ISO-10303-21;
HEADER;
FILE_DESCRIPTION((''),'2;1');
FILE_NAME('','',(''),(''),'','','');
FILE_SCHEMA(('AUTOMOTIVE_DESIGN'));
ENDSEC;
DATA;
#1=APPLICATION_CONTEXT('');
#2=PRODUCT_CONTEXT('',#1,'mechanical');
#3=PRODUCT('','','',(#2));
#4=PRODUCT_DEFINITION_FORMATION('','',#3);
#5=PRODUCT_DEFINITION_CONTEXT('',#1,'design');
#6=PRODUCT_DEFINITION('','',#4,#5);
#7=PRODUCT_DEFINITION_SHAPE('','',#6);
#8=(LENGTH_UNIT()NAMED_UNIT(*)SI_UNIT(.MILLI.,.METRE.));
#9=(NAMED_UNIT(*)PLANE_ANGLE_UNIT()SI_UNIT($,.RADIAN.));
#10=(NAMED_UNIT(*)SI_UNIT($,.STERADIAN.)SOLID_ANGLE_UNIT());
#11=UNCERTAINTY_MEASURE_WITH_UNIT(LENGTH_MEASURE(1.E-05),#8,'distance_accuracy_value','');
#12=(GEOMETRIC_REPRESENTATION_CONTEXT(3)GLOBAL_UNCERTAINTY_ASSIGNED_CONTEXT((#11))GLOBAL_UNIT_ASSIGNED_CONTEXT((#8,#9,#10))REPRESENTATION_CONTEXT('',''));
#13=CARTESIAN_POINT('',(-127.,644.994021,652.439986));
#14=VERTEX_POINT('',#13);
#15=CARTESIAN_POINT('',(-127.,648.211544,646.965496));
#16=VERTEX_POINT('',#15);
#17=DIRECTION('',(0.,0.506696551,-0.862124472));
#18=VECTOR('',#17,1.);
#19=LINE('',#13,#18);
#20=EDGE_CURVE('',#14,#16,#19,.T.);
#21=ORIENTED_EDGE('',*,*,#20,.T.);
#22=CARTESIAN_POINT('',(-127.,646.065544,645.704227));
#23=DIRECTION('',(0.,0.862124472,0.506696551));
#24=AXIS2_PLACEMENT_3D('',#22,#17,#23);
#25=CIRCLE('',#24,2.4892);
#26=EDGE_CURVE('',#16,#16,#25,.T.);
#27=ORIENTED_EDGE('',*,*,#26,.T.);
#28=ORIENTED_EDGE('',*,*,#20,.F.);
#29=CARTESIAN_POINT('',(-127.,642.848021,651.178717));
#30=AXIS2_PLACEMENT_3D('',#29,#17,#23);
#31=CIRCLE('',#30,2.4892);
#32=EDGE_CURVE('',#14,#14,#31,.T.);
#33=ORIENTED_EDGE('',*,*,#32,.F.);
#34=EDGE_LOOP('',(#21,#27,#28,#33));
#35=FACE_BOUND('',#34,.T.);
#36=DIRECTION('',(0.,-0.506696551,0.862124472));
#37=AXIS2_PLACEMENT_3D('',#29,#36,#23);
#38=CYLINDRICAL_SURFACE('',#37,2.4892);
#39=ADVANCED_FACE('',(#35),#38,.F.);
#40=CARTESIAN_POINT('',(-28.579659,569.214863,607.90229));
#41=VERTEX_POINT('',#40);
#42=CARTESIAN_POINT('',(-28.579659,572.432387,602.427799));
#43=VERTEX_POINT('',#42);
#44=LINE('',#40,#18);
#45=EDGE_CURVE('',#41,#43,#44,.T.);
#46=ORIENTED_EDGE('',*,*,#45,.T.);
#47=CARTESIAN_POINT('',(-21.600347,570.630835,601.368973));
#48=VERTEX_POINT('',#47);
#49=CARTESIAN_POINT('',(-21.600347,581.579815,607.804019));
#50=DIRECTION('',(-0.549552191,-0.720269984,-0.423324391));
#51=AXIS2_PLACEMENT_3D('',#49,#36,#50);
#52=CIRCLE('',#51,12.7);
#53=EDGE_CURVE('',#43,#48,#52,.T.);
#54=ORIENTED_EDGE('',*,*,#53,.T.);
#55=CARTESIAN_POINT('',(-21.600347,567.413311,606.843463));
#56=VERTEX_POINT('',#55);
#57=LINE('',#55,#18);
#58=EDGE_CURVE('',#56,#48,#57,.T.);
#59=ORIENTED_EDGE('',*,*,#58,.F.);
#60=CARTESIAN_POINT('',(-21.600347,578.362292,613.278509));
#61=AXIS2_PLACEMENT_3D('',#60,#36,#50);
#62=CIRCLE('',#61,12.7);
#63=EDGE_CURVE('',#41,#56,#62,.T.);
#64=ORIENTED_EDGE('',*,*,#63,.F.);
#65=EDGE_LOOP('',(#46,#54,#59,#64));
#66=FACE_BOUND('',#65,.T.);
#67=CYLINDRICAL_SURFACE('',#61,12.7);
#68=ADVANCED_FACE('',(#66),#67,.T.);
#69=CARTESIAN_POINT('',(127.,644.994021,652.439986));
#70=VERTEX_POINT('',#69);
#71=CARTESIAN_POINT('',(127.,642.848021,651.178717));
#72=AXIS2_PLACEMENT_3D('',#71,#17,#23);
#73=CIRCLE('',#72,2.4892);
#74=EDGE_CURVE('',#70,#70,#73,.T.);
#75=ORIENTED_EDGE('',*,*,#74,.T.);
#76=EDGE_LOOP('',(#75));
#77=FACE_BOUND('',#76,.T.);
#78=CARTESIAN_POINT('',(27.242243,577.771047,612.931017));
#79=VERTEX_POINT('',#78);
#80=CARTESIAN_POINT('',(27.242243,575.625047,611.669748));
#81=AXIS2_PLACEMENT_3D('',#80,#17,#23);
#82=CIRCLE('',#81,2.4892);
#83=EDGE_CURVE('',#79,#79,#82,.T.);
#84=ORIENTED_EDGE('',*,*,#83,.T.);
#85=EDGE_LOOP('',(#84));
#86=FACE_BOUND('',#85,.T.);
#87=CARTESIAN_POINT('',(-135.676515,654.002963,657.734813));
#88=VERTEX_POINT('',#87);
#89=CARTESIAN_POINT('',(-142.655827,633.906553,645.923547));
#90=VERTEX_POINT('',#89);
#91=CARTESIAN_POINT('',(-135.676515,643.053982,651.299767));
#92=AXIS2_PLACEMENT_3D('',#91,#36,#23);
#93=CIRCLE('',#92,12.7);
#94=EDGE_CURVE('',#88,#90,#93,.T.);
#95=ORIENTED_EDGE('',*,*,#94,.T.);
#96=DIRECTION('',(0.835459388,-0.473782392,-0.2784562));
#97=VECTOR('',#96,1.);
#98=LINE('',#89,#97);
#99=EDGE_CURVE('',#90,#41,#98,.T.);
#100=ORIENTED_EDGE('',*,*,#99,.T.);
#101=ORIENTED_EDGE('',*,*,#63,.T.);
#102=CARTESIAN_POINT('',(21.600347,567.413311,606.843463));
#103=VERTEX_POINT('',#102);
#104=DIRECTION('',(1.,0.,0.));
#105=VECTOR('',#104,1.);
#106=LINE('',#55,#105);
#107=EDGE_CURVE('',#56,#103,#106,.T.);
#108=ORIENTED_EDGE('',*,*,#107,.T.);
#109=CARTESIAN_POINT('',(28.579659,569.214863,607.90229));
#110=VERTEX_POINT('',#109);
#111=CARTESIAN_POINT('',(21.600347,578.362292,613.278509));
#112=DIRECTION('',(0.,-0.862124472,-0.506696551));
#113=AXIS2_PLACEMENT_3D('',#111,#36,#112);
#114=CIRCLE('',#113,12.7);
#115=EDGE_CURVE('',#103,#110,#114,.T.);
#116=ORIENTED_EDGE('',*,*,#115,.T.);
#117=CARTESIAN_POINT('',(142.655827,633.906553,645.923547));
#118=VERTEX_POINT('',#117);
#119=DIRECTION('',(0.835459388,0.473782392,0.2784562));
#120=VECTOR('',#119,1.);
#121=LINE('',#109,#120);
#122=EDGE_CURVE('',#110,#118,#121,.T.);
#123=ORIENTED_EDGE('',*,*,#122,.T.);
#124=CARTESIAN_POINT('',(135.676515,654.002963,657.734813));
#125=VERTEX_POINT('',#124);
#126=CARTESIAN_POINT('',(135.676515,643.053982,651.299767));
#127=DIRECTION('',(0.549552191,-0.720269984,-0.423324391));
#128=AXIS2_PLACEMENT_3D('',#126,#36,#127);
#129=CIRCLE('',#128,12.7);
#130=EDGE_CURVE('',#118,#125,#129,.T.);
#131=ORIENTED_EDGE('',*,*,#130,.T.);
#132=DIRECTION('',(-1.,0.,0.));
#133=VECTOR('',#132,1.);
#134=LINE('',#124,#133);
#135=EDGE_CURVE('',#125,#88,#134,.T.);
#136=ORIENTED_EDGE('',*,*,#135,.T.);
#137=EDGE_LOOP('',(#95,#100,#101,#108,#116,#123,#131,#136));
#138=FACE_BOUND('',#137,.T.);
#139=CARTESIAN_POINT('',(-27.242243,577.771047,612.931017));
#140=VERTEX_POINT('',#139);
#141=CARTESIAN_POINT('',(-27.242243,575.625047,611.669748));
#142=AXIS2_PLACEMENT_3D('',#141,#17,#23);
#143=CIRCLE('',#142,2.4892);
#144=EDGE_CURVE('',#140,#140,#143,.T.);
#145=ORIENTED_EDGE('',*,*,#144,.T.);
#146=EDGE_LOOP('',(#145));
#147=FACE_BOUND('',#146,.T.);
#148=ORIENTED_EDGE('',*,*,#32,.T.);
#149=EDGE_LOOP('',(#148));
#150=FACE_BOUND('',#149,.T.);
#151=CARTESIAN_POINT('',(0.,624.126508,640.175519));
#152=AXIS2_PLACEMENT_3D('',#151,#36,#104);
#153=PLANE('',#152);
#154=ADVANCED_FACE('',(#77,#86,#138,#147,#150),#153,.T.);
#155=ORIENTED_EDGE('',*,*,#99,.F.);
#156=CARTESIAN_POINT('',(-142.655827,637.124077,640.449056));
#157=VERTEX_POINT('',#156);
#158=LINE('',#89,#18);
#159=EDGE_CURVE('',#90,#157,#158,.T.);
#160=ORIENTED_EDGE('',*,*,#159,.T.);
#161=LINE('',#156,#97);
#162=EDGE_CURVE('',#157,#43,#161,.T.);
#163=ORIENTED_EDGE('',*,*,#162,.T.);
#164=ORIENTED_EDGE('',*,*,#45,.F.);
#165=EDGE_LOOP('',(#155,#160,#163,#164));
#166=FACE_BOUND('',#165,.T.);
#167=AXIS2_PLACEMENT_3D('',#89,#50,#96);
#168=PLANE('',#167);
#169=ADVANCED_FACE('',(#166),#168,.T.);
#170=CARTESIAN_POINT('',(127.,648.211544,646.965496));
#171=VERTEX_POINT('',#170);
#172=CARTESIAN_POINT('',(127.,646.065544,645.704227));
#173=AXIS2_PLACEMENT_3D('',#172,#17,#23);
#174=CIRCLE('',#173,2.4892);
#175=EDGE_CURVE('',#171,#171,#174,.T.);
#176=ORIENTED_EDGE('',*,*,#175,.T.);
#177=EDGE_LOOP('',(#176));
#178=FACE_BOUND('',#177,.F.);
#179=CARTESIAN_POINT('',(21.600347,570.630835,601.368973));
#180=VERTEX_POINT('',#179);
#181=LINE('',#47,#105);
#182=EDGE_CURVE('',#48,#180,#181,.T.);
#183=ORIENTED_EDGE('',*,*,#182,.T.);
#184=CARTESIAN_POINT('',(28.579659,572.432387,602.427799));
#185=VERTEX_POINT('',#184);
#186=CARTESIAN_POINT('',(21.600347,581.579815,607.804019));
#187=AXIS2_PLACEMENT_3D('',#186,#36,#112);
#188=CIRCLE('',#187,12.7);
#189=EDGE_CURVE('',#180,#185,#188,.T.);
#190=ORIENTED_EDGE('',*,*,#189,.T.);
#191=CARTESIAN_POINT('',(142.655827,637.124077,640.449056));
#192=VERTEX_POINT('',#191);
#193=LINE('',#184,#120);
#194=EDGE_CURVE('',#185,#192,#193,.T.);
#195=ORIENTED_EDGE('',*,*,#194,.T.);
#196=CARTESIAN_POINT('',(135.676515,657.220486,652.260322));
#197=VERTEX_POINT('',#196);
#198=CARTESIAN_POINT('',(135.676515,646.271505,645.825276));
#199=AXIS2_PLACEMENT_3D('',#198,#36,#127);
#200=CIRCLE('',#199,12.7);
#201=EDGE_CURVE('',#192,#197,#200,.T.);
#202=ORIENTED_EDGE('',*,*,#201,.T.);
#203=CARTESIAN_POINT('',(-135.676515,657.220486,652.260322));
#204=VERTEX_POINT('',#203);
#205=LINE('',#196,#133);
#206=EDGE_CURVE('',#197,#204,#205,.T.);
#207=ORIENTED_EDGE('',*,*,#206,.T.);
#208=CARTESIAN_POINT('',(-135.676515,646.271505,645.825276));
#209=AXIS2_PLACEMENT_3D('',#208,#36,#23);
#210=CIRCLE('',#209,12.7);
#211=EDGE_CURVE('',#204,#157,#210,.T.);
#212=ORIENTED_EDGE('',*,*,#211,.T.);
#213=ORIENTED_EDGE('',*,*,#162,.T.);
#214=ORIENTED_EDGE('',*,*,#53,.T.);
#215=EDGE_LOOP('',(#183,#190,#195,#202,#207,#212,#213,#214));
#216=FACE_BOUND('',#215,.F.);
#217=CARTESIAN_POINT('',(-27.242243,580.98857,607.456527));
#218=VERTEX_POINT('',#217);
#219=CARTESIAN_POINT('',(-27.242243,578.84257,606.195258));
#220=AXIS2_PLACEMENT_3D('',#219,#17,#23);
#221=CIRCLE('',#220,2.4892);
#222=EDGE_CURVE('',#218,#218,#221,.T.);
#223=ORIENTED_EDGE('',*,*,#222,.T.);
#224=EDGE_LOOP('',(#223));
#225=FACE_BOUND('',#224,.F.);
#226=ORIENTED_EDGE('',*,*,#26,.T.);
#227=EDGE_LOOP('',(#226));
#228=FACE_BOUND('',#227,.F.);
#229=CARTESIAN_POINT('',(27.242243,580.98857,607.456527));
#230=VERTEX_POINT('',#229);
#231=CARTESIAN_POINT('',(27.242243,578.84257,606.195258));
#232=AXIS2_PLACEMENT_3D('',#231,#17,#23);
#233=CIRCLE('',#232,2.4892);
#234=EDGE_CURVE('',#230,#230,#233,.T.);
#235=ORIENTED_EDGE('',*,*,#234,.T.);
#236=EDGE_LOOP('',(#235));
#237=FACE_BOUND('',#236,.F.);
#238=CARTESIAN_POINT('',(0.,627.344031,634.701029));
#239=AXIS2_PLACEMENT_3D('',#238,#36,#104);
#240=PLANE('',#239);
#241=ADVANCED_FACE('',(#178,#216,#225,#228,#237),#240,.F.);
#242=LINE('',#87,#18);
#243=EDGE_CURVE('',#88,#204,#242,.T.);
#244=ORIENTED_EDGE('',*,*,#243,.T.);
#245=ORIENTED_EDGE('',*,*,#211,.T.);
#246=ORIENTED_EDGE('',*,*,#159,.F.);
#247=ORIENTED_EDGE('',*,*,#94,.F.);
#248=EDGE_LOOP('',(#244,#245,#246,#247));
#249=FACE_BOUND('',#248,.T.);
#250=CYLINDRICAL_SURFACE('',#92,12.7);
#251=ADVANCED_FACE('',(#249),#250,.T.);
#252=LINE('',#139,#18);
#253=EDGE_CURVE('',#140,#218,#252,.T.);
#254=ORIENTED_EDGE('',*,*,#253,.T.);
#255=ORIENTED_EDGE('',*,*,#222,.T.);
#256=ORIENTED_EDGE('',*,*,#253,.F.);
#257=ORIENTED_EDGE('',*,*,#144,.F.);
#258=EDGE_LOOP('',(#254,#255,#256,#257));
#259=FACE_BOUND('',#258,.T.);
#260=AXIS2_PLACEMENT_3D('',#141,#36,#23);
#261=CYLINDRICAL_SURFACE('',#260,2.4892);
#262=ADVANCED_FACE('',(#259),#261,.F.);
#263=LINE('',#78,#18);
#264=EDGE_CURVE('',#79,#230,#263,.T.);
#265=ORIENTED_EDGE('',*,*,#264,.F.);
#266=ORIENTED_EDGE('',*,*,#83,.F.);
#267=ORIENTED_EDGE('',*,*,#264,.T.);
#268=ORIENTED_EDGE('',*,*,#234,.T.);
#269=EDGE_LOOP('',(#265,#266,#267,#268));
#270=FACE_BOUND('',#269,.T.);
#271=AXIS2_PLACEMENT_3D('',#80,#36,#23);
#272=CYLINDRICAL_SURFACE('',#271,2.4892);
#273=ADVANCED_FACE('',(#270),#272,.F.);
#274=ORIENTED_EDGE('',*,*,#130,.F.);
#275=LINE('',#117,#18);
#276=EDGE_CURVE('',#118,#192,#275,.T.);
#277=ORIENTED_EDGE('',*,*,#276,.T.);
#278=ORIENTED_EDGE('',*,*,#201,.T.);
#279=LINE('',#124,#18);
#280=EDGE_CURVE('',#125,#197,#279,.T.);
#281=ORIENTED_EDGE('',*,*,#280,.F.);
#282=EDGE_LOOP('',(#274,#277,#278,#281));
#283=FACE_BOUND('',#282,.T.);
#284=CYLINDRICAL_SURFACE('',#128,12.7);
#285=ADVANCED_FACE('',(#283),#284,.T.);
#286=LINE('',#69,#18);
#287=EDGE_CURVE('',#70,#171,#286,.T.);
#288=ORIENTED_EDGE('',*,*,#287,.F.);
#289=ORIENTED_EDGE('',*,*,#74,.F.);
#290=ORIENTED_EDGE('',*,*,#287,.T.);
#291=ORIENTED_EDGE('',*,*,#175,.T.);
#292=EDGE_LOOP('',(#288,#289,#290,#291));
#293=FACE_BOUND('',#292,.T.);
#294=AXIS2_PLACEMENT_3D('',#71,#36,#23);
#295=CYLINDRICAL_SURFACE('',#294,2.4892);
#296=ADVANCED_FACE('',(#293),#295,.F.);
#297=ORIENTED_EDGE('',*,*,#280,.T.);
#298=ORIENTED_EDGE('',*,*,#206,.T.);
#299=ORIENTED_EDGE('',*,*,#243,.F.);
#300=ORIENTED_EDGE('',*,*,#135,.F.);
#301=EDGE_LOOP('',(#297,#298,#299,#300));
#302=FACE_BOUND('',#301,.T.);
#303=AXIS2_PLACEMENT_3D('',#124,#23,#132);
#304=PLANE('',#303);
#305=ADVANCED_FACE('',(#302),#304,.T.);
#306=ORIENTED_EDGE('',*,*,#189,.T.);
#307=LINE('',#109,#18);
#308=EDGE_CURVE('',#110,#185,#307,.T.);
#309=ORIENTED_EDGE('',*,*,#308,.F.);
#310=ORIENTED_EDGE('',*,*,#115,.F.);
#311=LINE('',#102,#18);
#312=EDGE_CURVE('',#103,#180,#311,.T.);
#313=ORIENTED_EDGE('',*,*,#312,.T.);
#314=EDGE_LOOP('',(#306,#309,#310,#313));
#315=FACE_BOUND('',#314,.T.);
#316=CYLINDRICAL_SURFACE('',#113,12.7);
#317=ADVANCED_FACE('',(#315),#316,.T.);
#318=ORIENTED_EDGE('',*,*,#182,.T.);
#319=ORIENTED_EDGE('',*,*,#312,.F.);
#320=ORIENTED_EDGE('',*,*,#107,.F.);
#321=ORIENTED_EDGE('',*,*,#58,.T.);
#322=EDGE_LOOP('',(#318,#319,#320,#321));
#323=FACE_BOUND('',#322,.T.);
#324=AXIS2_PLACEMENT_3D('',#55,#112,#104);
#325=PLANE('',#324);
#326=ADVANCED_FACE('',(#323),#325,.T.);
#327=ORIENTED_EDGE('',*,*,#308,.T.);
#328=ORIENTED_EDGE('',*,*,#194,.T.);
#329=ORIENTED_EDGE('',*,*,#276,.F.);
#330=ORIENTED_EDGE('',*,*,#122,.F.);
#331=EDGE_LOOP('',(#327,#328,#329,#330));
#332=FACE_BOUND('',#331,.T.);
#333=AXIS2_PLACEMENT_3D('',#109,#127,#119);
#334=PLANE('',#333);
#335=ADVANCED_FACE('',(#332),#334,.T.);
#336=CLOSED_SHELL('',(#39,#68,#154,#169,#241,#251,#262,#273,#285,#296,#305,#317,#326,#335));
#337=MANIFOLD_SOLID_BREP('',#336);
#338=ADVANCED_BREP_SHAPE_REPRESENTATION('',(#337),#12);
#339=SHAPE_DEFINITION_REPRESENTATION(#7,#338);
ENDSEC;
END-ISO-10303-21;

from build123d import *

# Parameters (mm, degrees)
SKETCH1_R           = 2.4892
BOSS_EXTRUDE1_DEPTH = 6.35


with BuildPart() as part:
    # Sketch1 → Boss-Extrude1 (new body)
    with BuildSketch(Plane(origin=(0, -119.412280478, 203.175350111), x_dir=(-1, 0, 0), z_dir=(-8.160139230994902e-15, 0.5066965513915404, -0.8621244717602675))):
        with BuildLine():
            Line((-28.579659373, 798.756057242), (-142.655827387, 873.793586211))
            ThreePointArc((-142.655827387, 873.793586211), (-147.842887168, 888.046636137), (-135.676514563, 897.103920443))
            Line((-135.676514563, 897.103920443), (135.676514563, 897.103920443))
            ThreePointArc((135.676514563, 897.103920443), (147.842887168, 888.046636137), (142.655827387, 873.793586211))
            Line((142.655827387, 873.793586211), (28.579659373, 798.756057242))
            ThreePointArc((28.579659373, 798.756057242), (25.243062244, 797.200018869), (21.60034655, 796.666391474))
            Line((21.60034655, 796.666391474), (-21.60034655, 796.666391474))
            ThreePointArc((-21.60034655, 796.666391474), (-25.243062244, 797.200018869), (-28.579659373, 798.756057242))
        make_face()
        with Locations(Location((-27.242242795, 806.191391474, 0), (0, 0, 90))):
            Circle(SKETCH1_R, mode=Mode.SUBTRACT)
        with Locations(Location((27.242242795, 806.191391474, 0), (0, 0, 90))):
            Circle(SKETCH1_R, mode=Mode.SUBTRACT)
        with Locations(Location((-127, 884.16502092, 0), (0, 0, 90))):
            Circle(SKETCH1_R, mode=Mode.SUBTRACT)
        with Locations(Location((127, 884.16502092, 0), (0, 0, 90))):
            Circle(SKETCH1_R, mode=Mode.SUBTRACT)
    extrude(amount=BOSS_EXTRUDE1_DEPTH)


solid = part.part
